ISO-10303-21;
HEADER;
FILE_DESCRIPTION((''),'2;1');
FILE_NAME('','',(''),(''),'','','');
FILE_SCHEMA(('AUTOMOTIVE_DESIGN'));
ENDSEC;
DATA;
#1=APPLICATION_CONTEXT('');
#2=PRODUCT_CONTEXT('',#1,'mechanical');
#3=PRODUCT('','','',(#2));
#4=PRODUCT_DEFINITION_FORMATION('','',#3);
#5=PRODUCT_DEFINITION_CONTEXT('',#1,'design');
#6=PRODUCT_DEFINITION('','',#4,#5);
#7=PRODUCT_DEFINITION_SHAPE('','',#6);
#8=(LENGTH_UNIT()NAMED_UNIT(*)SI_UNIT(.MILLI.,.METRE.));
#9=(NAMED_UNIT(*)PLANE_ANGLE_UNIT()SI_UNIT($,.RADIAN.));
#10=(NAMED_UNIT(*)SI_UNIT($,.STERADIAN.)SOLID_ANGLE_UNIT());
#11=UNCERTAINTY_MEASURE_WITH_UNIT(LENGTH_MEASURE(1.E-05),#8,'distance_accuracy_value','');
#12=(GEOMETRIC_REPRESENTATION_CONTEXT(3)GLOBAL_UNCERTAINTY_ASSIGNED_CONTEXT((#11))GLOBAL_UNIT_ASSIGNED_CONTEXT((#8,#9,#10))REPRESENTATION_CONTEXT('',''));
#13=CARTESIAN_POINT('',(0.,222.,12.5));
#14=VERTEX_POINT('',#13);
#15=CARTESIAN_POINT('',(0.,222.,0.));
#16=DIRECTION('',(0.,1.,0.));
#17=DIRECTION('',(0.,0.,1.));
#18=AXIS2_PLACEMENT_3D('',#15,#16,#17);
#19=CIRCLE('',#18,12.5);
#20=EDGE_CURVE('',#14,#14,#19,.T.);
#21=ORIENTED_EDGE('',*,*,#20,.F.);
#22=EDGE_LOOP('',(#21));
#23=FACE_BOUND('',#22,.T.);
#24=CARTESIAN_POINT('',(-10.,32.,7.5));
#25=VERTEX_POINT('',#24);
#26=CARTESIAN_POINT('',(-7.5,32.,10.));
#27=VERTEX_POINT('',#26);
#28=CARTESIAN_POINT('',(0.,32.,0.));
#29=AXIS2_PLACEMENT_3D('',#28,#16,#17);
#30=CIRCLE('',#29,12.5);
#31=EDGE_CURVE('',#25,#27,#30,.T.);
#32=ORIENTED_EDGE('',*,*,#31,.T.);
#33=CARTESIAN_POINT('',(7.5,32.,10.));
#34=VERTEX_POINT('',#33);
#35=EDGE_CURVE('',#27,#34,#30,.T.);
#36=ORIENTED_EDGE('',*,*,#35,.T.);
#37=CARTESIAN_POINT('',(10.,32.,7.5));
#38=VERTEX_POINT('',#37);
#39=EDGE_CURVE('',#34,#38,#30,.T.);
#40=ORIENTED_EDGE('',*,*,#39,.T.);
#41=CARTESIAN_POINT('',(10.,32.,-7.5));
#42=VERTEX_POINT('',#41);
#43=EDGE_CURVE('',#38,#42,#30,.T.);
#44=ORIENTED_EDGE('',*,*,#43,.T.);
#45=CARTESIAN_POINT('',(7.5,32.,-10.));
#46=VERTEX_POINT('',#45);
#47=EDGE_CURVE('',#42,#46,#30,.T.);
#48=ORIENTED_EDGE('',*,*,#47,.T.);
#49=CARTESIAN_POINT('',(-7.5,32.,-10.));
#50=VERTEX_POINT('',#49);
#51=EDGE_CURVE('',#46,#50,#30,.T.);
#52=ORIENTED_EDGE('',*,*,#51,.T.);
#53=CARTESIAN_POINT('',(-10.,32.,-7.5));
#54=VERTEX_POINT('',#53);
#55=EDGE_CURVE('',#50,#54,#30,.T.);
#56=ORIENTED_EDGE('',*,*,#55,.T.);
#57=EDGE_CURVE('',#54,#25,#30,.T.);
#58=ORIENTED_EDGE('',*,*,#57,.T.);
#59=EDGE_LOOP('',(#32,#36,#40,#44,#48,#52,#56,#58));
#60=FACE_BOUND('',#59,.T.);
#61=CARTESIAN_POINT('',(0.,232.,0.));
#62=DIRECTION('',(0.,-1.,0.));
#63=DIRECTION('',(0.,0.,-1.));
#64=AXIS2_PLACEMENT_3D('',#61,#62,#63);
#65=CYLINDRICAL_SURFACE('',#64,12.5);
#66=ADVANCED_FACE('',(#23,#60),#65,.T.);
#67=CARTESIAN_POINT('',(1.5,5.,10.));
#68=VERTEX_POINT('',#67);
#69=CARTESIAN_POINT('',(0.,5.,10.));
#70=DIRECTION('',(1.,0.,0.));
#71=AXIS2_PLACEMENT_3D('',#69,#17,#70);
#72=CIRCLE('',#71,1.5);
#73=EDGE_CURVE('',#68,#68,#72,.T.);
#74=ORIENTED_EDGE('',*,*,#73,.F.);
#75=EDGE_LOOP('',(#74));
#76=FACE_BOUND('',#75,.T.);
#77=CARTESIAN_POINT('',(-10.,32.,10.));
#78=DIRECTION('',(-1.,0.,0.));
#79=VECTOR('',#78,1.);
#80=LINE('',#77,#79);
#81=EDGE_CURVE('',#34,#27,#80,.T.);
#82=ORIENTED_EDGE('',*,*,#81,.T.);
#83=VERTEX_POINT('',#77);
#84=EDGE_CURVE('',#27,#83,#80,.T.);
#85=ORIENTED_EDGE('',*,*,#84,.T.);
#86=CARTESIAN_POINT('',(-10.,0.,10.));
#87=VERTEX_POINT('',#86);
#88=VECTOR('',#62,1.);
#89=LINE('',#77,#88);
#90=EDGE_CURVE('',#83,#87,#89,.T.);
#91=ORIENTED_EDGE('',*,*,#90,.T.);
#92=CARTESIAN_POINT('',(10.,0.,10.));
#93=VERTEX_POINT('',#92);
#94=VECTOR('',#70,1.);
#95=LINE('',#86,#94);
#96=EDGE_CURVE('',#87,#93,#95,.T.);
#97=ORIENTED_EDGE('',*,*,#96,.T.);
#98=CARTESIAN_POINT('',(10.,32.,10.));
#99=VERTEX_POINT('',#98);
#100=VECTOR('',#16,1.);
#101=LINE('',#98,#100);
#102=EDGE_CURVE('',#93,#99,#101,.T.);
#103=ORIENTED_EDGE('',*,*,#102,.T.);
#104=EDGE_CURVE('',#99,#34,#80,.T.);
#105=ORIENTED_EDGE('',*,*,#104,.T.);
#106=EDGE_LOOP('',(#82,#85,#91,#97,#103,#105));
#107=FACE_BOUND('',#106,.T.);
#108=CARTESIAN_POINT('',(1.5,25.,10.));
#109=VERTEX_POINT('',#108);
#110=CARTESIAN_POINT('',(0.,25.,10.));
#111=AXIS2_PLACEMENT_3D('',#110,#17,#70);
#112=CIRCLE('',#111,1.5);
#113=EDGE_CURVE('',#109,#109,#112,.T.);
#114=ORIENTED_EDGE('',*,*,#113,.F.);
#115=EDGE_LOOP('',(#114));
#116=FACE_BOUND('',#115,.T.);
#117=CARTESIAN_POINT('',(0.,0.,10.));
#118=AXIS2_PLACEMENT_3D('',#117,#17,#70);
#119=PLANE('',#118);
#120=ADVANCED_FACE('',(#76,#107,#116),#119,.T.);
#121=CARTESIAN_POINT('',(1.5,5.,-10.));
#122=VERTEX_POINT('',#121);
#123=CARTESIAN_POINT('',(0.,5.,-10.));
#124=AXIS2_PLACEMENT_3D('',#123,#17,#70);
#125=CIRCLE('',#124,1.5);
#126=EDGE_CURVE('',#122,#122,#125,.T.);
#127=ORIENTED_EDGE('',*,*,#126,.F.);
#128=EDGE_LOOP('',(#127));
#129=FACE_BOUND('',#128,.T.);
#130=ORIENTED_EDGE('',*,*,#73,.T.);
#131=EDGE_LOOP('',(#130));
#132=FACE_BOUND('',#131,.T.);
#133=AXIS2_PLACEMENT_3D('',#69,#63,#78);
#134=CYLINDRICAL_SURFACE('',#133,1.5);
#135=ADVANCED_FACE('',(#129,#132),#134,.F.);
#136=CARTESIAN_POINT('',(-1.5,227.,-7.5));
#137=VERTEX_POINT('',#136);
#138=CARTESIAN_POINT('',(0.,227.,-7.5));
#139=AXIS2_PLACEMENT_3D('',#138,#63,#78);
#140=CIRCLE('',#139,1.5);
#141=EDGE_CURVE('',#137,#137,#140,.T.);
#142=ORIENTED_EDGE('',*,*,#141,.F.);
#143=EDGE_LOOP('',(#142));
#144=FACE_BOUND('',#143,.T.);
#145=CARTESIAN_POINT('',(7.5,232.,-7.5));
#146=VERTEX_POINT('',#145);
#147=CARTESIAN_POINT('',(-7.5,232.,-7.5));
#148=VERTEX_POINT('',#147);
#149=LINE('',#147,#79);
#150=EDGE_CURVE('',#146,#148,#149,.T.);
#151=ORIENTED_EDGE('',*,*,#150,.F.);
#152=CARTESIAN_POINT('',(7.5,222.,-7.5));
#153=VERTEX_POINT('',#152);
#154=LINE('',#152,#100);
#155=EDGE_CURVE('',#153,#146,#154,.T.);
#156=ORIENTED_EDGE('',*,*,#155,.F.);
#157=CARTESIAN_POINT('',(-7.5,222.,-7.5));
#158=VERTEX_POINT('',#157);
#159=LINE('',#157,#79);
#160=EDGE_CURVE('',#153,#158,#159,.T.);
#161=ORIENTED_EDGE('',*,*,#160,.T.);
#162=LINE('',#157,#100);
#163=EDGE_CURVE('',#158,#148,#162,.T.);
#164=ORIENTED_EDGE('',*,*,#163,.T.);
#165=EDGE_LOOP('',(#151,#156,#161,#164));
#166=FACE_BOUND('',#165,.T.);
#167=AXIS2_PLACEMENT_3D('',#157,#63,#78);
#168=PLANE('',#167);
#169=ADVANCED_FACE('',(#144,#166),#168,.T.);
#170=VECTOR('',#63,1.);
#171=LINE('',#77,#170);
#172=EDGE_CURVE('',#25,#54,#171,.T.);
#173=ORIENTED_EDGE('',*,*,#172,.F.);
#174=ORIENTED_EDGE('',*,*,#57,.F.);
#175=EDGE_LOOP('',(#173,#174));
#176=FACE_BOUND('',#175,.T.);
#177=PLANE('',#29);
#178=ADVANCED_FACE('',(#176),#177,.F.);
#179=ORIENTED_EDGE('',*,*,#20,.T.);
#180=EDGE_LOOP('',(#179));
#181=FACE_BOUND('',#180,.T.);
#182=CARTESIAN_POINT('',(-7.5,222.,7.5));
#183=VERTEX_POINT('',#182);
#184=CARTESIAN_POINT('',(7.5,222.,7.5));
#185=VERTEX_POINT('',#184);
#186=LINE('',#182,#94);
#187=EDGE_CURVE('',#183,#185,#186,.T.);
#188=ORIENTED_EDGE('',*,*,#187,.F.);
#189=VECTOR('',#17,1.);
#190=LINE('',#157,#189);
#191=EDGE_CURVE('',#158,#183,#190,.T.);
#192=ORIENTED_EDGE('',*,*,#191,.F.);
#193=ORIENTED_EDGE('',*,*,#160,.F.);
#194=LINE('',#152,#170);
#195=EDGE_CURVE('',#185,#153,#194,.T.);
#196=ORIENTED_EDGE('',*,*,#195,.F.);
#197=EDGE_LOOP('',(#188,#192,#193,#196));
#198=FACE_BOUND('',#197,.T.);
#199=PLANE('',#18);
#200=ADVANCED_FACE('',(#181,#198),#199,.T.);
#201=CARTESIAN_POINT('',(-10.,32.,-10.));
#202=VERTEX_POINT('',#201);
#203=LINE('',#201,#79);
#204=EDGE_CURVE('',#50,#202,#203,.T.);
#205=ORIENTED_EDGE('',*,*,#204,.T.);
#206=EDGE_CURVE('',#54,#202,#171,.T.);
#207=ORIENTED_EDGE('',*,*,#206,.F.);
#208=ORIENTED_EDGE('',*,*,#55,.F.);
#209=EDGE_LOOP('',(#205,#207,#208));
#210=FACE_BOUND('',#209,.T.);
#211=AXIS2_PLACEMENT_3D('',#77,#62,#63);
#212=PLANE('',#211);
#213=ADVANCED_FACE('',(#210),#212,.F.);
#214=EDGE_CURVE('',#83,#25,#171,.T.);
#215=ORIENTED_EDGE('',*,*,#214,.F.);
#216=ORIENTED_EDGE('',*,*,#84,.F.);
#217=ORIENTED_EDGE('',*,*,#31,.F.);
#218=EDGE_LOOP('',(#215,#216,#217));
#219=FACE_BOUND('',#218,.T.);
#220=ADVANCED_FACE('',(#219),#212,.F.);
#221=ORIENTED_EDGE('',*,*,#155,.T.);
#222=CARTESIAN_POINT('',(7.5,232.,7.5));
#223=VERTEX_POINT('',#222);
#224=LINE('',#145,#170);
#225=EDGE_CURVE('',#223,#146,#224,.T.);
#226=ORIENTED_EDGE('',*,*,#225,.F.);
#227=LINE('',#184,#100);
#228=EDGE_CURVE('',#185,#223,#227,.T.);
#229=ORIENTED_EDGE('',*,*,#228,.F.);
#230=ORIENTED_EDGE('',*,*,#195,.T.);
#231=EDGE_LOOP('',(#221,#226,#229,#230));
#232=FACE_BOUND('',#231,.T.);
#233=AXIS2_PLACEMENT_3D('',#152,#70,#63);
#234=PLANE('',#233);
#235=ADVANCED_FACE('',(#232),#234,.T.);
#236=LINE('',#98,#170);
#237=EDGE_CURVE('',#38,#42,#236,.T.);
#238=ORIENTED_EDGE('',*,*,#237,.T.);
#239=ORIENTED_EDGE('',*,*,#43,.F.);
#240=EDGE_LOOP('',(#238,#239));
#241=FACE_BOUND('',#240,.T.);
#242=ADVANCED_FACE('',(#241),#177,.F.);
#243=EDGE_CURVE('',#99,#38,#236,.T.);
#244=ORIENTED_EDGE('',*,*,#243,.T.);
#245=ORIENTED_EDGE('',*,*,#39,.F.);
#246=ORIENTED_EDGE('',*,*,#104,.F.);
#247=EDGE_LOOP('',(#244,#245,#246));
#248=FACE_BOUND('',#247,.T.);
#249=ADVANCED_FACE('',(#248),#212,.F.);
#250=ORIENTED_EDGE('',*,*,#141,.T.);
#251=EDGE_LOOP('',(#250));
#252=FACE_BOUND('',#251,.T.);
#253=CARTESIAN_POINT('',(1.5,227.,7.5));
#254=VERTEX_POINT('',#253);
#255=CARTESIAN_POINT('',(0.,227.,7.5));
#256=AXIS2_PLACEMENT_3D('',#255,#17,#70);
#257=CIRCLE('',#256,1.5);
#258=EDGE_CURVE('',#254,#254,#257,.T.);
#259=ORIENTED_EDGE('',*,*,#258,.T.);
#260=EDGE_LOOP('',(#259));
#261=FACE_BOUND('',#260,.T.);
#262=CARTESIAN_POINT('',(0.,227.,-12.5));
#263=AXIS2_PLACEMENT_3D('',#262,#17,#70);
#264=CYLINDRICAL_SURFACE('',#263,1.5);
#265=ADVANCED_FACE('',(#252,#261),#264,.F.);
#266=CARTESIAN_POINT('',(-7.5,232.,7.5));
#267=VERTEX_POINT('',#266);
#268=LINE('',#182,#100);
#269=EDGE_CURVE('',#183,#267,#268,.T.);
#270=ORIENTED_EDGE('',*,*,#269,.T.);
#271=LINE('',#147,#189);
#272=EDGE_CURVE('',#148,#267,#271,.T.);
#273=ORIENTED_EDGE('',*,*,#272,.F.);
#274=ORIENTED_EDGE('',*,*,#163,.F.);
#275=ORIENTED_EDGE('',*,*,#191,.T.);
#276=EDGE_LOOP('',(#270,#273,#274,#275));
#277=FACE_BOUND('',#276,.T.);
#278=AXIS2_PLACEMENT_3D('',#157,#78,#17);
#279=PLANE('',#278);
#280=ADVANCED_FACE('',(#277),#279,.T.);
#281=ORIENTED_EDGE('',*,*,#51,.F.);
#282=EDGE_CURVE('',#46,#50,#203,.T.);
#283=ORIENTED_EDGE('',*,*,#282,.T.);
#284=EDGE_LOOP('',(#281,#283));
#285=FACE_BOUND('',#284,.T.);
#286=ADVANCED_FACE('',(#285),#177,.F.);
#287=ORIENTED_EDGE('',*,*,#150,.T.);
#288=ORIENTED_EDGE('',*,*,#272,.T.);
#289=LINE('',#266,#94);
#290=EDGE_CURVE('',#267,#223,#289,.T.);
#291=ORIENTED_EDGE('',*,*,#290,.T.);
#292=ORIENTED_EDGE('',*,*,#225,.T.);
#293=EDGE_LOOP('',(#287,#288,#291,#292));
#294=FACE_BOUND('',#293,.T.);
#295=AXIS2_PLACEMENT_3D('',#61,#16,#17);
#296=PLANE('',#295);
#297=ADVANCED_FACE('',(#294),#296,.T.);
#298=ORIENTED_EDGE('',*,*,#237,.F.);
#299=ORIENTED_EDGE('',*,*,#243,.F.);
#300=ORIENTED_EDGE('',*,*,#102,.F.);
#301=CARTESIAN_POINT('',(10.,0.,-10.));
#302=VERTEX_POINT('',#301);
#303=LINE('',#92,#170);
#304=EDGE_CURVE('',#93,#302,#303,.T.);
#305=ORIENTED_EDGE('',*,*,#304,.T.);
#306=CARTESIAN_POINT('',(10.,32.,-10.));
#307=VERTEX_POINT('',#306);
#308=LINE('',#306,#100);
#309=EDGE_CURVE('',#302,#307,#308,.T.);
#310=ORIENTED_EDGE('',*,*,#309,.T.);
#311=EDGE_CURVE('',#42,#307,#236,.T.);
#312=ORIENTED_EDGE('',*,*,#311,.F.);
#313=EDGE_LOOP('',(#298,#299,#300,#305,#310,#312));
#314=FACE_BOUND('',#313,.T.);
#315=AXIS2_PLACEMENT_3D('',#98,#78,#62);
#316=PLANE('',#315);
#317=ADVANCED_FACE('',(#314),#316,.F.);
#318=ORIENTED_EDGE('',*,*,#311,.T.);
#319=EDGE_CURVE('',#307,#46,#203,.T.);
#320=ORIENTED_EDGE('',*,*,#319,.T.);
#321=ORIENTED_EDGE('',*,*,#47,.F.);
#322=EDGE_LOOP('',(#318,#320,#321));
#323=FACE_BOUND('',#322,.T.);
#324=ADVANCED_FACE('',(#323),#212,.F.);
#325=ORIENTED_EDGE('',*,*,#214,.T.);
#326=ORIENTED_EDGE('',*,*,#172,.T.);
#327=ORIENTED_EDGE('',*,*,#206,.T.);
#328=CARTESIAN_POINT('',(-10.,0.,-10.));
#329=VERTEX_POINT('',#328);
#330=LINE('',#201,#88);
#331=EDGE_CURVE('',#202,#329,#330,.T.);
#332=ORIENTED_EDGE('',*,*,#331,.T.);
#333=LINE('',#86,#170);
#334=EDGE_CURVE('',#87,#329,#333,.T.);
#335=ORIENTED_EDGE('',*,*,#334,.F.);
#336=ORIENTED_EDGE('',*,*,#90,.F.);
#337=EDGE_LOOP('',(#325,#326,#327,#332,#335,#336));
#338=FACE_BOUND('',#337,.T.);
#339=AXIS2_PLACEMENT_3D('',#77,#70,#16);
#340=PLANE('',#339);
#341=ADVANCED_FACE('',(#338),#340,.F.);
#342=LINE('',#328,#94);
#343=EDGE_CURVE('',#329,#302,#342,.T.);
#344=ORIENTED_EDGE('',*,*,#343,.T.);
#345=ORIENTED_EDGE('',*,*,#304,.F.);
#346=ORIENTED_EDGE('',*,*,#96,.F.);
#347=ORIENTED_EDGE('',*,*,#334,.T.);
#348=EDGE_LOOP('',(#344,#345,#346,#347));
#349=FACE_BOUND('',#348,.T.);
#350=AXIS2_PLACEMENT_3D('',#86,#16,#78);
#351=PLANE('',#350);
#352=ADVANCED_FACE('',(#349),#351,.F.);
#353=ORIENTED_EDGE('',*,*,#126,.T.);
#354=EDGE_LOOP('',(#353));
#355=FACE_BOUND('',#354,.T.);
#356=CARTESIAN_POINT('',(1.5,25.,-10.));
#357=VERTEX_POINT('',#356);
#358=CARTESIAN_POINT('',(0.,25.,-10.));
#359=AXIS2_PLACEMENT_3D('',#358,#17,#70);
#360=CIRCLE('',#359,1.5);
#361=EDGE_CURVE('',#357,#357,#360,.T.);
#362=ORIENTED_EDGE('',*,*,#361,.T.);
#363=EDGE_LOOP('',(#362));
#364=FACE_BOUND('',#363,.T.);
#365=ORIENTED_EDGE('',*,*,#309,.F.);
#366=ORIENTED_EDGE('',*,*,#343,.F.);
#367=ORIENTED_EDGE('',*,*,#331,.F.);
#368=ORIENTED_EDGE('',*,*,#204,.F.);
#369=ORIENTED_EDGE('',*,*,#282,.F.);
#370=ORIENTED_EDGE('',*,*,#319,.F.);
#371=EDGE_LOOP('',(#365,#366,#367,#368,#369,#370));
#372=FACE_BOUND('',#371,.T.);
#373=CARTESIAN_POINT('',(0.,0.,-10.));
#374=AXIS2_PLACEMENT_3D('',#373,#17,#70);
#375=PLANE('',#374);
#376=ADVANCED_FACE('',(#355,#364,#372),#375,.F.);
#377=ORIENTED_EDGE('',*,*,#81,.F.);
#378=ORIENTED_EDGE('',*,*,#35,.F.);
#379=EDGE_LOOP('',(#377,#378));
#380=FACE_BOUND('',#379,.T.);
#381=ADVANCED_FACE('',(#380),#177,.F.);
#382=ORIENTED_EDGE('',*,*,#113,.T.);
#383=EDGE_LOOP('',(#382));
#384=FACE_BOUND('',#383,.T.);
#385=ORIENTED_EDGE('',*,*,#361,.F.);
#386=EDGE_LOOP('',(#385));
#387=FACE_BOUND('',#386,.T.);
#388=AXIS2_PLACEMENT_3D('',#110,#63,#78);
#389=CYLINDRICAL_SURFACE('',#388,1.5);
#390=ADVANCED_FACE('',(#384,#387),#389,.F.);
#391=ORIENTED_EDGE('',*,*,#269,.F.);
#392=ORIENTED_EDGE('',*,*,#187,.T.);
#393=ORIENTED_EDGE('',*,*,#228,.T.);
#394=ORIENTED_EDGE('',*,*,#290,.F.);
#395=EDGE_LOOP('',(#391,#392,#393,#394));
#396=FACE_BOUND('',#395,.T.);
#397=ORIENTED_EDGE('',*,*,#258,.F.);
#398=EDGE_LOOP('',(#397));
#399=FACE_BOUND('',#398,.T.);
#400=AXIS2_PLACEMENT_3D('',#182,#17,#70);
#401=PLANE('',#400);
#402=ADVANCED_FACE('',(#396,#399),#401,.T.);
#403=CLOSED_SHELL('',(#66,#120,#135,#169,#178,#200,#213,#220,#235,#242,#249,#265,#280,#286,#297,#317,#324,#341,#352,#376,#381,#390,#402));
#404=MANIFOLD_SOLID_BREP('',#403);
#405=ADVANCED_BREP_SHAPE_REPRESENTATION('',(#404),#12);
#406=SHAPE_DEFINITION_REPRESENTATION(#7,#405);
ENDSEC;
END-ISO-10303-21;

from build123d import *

# Parameters (mm, degrees)
SKETCH1_W           = 20
SKETCH1_H           = 32
SKETCH1_R           = 1.5
BOSS_EXTRUDE1_DEPTH = 10
SKETCH3_R           = 12.5
BOSS_EXTRUDE2_DEPTH = 200
SKETCH4_OUTSIDE_W   = 73.936
SKETCH4_OUTSIDE_H   = 73.936
SKETCH4_OUTSIDE_W_2 = 15
SKETCH4_OUTSIDE_H_2 = 15
CUT_EXTRUDE1_DEPTH  = 10
SKETCH5_R           = 1.5
CUT_EXTRUDE2_DEPTH  = 234.195733237


with BuildPart() as part:
    # Sketch1 → Boss-Extrude1 (new, symmetric)
    with BuildSketch(Plane.XY):
        with Locations((0, 16)):
            Rectangle(SKETCH1_W, SKETCH1_H)
        with Locations((0, 5)):
            Circle(SKETCH1_R, mode=Mode.SUBTRACT)
        with Locations((0, 25)):
            Circle(SKETCH1_R, mode=Mode.SUBTRACT)
    extrude(amount=BOSS_EXTRUDE1_DEPTH, both=True)

    # Sketch3 → Boss-Extrude2 (add)
    with BuildSketch(Plane(origin=(0, 32, 0), x_dir=(1, 0, 0), z_dir=(0, 1, 0))):
        with Locations(Location((0, 0, 0), (0, 0, 53.130102354))):
            Circle(SKETCH3_R)
    extrude(amount=BOSS_EXTRUDE2_DEPTH)

    # Sketch4 outside → Cut-Extrude1 (cut)
    with BuildSketch(Plane(origin=(0, 232, 0), x_dir=(1, 0, 0), z_dir=(0, 1, 0))):
        Rectangle(SKETCH4_OUTSIDE_W, SKETCH4_OUTSIDE_H)
        Rectangle(SKETCH4_OUTSIDE_W_2, SKETCH4_OUTSIDE_H_2, mode=Mode.SUBTRACT)
    extrude(amount=-CUT_EXTRUDE1_DEPTH, mode=Mode.SUBTRACT)

    # Sketch5 → Cut-Extrude2 (cut, through all)
    with BuildSketch(Plane.XY.offset(7.5)):
        with Locations((0, 227)):
            Circle(SKETCH5_R)
    extrude(amount=-CUT_EXTRUDE2_DEPTH, mode=Mode.SUBTRACT)


solid = part.part
